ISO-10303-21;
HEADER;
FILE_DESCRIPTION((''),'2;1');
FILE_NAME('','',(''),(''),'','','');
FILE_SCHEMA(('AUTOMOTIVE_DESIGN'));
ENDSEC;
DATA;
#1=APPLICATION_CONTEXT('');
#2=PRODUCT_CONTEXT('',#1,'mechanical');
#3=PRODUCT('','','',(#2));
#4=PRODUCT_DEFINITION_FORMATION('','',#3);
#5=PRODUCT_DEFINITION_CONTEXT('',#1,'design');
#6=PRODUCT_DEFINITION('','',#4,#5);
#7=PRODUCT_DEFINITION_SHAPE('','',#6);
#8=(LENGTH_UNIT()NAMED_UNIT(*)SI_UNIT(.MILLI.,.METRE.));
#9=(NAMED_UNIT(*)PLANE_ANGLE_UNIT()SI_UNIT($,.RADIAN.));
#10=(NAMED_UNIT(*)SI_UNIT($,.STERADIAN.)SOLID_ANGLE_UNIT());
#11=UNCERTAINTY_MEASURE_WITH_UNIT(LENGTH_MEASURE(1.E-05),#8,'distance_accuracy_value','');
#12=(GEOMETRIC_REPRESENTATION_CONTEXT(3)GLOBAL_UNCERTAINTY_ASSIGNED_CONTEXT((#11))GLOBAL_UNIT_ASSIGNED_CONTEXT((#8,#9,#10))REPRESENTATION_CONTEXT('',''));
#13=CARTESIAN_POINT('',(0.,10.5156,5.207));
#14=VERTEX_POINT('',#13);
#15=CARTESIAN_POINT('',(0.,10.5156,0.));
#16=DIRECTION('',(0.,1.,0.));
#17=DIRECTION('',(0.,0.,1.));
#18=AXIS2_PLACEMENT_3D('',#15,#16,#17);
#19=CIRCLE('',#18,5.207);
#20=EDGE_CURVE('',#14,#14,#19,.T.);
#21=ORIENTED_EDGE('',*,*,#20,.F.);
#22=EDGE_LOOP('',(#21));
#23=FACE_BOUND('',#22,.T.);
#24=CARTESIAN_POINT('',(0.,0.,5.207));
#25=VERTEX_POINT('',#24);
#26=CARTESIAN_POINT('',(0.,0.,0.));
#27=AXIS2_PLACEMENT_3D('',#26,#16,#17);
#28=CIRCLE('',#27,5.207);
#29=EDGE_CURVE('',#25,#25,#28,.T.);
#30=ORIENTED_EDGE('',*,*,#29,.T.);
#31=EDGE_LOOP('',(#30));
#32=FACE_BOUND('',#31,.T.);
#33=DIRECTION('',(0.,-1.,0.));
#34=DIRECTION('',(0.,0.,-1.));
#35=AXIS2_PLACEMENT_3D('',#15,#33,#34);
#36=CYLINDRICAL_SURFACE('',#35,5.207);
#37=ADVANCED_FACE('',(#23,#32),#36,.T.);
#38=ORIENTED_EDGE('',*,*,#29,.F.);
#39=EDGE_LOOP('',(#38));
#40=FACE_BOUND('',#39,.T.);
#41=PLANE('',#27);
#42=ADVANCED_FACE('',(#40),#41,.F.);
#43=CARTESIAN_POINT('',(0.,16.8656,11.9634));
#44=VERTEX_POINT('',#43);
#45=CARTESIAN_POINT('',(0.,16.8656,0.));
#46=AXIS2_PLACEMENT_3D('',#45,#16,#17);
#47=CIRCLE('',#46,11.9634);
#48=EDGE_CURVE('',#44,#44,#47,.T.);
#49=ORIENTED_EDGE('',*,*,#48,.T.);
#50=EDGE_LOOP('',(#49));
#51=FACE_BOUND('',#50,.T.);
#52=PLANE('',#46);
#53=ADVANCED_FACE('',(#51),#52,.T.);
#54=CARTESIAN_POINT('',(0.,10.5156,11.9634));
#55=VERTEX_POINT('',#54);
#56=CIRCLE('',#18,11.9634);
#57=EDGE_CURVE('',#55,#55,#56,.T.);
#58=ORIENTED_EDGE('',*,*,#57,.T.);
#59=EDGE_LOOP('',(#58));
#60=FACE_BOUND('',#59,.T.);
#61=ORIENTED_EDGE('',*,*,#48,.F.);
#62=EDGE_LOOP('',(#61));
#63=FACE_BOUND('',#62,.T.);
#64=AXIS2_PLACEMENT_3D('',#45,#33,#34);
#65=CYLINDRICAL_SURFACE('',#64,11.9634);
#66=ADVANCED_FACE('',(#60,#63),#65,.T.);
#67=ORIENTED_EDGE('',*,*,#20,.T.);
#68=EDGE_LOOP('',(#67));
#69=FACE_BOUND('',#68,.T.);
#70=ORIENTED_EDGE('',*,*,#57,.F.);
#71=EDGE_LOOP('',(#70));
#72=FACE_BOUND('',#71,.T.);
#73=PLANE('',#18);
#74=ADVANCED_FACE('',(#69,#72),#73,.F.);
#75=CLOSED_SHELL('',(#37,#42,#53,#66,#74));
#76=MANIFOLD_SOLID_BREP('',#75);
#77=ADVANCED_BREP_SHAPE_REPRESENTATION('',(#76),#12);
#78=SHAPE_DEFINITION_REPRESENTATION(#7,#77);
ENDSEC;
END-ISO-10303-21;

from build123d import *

# Parameters (mm, degrees)
SKETCH1_R           = 5.207
BOSS_EXTRUDE1_DEPTH = 10.5156
SKETCH2_R           = 11.9634
BOSS_EXTRUDE2_DEPTH = 6.35


with BuildPart() as part:
    # Sketch1 → Boss-Extrude1 (new body)
    with BuildSketch(Plane(origin=(0, 0, 0), x_dir=(1, 0, 0), z_dir=(0, 1, 0))):
        with Locations(Location((0, 0, 0), (0, 0, 270))):
            Circle(SKETCH1_R)
    extrude(amount=BOSS_EXTRUDE1_DEPTH)

    # Sketch2 → Boss-Extrude2 (add)
    with BuildSketch(Plane(origin=(0, 10.5156, 0), x_dir=(1, 0, 0), z_dir=(0, 1, 0))):
        with Locations(Location((0, 0, 0), (0, 0, 270))):
            Circle(SKETCH2_R)
    extrude(amount=BOSS_EXTRUDE2_DEPTH)


solid = part.part
